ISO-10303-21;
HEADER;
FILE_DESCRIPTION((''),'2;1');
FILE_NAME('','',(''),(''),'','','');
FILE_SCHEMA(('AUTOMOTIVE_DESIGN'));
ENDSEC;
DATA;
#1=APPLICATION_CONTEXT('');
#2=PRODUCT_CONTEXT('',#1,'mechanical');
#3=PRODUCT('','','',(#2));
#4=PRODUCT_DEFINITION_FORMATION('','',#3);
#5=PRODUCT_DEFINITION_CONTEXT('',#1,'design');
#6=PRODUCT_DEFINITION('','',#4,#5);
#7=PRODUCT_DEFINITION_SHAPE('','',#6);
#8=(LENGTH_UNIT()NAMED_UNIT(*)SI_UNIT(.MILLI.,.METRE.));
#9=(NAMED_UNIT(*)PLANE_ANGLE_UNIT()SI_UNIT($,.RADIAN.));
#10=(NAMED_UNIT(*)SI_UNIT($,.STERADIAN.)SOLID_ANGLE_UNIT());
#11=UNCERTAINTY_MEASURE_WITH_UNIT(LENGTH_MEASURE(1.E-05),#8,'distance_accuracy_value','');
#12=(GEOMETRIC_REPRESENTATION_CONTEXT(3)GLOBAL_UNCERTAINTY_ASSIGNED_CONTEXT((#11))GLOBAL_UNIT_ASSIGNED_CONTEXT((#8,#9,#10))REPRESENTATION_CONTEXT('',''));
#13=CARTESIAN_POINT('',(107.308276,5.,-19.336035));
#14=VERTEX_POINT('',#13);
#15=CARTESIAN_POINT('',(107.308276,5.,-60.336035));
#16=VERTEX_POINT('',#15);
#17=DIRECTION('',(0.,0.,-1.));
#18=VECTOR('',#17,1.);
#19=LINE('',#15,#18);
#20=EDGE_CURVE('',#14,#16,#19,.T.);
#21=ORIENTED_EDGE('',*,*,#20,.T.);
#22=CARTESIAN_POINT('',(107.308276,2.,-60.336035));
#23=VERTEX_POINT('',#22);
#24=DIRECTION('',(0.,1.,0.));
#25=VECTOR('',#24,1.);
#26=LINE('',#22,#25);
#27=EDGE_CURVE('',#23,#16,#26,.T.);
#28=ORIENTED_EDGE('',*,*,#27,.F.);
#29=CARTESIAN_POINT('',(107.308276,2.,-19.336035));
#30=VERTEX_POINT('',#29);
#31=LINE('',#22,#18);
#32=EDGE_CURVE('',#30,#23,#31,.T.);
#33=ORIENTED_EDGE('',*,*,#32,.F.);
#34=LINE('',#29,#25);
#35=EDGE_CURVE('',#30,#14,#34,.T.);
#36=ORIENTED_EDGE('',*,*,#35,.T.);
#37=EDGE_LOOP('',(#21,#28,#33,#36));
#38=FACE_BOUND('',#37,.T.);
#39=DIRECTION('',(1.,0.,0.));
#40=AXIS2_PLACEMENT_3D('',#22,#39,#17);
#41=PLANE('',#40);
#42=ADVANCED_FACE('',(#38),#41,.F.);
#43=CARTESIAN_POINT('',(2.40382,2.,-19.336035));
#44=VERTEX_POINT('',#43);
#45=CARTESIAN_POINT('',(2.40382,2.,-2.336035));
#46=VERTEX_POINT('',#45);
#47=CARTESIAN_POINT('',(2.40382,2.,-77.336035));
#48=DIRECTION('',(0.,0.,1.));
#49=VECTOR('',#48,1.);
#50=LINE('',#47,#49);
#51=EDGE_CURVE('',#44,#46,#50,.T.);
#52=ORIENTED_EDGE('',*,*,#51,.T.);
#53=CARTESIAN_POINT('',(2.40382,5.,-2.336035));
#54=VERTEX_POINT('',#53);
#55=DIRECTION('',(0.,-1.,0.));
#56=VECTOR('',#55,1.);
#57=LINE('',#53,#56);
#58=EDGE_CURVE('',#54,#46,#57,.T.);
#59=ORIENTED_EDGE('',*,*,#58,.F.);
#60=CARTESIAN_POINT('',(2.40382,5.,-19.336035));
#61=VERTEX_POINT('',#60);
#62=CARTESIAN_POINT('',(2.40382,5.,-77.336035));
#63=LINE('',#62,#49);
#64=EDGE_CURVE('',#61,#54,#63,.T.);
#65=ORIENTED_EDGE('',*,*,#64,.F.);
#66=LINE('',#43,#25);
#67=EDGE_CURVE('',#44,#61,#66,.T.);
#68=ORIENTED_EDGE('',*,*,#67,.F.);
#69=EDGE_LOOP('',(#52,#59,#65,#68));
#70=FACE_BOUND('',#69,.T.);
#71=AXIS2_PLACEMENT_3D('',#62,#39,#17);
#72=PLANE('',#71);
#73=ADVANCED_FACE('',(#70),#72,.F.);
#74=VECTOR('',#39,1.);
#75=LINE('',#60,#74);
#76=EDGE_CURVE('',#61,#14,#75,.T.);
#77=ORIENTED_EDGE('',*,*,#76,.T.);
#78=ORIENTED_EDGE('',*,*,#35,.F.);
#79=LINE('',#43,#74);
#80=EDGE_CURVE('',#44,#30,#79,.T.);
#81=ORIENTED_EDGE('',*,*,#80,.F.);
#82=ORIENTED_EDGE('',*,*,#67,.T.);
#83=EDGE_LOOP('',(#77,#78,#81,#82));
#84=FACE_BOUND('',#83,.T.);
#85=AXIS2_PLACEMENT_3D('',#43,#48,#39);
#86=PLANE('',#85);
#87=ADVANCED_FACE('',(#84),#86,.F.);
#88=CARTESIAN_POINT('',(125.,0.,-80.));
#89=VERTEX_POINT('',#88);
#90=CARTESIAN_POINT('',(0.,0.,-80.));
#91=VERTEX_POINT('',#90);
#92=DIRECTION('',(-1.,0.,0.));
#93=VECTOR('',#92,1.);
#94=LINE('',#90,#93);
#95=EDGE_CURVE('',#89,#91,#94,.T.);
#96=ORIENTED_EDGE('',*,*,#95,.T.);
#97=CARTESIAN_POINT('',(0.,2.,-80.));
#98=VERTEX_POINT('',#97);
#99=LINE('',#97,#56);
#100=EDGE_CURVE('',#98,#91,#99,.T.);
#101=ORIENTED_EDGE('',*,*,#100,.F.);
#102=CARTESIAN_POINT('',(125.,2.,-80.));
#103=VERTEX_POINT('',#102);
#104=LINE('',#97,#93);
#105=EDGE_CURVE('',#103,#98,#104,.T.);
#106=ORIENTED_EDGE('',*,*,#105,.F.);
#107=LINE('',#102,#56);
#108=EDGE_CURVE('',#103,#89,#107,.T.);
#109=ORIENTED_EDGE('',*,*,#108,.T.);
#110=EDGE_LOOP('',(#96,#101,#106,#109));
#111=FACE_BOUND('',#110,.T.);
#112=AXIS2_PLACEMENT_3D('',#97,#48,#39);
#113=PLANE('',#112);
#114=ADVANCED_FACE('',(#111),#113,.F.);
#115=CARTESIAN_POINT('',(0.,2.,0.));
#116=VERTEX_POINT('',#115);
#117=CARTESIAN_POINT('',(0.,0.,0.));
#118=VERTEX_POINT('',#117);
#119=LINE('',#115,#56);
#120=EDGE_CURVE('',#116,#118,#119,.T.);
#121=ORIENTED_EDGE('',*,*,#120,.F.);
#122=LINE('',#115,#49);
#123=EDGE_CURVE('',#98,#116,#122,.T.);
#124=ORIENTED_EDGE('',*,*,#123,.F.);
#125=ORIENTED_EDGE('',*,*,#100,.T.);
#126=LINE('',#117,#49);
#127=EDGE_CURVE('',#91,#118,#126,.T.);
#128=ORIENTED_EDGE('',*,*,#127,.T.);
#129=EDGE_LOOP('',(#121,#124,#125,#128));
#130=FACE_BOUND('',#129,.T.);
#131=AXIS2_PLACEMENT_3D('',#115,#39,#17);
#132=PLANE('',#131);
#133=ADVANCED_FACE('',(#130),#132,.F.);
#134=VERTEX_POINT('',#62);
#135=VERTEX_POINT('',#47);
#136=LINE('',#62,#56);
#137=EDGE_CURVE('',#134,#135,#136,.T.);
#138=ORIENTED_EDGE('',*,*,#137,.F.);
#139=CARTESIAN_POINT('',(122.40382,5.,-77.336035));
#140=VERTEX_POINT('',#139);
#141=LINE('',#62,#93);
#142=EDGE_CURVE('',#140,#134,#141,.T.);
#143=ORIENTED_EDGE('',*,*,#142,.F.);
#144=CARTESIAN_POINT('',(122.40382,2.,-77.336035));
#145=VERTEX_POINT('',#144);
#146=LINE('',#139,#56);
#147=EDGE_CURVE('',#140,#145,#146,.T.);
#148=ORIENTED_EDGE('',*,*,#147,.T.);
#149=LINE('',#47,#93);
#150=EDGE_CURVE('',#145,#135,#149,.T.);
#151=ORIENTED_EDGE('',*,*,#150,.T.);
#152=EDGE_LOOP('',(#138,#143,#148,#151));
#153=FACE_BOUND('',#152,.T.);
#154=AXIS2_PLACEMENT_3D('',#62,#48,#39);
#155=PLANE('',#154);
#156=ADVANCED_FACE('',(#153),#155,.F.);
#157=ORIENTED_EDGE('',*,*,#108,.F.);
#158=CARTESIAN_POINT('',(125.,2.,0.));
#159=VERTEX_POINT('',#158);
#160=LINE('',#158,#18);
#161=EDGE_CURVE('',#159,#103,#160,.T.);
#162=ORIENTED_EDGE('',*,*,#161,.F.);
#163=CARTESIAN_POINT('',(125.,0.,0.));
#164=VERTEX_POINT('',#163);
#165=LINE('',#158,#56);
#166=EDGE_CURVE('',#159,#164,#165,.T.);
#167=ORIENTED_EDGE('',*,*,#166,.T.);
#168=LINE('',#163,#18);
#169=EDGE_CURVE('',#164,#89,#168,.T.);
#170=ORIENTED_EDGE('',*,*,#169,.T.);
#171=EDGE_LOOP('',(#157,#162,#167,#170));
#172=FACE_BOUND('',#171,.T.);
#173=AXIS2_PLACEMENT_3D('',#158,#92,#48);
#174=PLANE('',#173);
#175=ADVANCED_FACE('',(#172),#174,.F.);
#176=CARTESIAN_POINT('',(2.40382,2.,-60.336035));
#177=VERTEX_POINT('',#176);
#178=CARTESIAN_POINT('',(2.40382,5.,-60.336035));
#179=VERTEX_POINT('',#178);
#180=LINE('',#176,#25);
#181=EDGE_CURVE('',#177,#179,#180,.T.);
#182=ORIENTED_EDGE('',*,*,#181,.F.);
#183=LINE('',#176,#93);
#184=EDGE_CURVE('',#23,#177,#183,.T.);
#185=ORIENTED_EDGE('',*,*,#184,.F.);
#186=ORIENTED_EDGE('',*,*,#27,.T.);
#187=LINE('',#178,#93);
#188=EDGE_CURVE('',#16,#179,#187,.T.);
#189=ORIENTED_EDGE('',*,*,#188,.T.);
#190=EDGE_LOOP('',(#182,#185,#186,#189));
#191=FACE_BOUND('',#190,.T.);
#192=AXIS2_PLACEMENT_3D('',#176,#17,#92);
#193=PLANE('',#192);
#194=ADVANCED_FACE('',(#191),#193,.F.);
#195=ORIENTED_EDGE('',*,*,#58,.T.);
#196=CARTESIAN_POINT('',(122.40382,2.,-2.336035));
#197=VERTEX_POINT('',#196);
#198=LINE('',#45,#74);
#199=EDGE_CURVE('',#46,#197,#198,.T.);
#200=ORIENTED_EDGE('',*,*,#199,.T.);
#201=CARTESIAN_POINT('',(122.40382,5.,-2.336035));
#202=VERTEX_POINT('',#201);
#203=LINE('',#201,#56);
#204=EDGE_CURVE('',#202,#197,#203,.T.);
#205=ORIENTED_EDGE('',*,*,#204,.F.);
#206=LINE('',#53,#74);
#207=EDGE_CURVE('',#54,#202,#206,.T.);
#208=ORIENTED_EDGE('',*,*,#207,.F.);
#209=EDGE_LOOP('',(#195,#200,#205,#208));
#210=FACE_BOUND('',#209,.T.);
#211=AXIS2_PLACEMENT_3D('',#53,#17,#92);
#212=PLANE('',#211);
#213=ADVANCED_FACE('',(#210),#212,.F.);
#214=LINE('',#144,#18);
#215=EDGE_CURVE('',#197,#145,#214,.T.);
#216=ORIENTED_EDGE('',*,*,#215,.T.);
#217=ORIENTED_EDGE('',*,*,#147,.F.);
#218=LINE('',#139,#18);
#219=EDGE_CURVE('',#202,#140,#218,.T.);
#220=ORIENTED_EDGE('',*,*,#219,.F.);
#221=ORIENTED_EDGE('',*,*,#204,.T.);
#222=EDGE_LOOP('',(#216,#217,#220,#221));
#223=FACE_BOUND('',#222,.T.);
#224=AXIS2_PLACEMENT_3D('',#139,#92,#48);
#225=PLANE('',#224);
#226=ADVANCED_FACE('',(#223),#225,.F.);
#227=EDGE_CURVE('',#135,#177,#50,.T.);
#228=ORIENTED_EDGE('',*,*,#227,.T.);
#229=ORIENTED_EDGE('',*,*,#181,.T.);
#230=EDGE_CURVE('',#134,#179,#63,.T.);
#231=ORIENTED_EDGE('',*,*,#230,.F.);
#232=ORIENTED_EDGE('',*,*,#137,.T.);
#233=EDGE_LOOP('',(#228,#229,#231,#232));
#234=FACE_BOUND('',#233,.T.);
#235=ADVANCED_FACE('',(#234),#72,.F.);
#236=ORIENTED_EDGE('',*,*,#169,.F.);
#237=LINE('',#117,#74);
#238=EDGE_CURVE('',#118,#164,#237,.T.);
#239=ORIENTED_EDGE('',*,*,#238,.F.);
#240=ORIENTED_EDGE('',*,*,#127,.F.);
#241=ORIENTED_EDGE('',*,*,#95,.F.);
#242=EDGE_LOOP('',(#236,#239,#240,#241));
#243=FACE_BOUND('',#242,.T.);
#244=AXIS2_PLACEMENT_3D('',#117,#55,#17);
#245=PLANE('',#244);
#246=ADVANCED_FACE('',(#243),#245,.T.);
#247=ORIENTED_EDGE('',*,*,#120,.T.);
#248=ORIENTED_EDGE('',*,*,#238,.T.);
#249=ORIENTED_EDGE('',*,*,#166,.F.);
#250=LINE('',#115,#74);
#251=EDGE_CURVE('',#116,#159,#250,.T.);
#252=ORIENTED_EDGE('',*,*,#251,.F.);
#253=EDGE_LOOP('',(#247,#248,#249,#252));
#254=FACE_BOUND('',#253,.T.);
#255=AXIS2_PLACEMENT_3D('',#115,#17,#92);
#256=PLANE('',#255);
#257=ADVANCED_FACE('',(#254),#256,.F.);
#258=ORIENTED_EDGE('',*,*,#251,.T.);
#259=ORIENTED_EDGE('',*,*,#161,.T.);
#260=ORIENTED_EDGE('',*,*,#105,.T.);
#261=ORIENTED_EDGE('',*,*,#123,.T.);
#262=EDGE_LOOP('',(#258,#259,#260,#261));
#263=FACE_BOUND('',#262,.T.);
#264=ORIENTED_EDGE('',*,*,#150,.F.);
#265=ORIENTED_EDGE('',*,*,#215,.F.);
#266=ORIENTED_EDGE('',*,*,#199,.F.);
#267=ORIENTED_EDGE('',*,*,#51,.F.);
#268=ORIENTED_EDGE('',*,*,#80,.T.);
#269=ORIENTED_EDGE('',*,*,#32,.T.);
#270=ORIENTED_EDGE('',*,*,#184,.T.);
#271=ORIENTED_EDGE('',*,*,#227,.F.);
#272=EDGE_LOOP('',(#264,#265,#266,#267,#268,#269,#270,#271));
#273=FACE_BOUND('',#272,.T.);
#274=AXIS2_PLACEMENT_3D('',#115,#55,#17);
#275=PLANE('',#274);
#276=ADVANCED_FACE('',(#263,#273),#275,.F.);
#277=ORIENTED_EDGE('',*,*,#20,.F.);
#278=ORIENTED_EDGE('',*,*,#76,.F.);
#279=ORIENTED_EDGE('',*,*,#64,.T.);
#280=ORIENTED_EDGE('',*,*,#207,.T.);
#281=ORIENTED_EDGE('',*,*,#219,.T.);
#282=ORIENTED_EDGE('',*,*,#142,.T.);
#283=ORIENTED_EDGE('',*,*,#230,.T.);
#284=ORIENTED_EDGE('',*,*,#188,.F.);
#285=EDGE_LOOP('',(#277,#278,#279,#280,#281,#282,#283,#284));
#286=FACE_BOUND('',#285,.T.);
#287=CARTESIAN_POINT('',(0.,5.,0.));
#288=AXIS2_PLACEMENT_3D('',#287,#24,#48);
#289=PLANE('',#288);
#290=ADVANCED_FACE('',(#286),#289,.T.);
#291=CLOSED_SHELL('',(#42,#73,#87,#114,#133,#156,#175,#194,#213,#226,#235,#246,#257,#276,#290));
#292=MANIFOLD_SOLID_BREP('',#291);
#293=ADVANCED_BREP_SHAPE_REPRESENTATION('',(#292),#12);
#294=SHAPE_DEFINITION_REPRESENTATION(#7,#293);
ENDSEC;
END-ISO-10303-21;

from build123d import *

# Parameters (mm, degrees)
SKETCH1_W           = 125
SKETCH1_H           = 80
BOSS_EXTRUDE1_DEPTH = 2
SKETCH3_W           = 120
SKETCH3_H           = 75
BOSS_EXTRUDE2_DEPTH = 3
SKETCH4_W           = 104.904455421
SKETCH4_H           = 41
CUT_EXTRUDE1_DEPTH  = 3


with BuildPart() as part:
    # Sketch1 → Boss-Extrude1 (new body)
    with BuildSketch(Plane(origin=(0, 0, 0), x_dir=(1, 0, 0), z_dir=(0, 1, 0))):
        with Locations((62.5, 40)):
            Rectangle(SKETCH1_W, SKETCH1_H)
    extrude(amount=BOSS_EXTRUDE1_DEPTH)

    # Sketch3 → Boss-Extrude2 (add)
    with BuildSketch(Plane(origin=(0, 2, 0), x_dir=(1, 0, 0), z_dir=(0, 1, 0))):
        with Locations((62.403820475, 39.836034952)):
            Rectangle(SKETCH3_W, SKETCH3_H)
    extrude(amount=BOSS_EXTRUDE2_DEPTH)

    # Sketch4 → Cut-Extrude1 (cut)
    with BuildSketch(Plane(origin=(0, 5, 0), x_dir=(1, 0, 0), z_dir=(0, 1, 0))):
        with Locations((54.856048186, 39.836034952)):
            Rectangle(SKETCH4_W, SKETCH4_H)
    extrude(amount=-CUT_EXTRUDE1_DEPTH, mode=Mode.SUBTRACT)


solid = part.part
